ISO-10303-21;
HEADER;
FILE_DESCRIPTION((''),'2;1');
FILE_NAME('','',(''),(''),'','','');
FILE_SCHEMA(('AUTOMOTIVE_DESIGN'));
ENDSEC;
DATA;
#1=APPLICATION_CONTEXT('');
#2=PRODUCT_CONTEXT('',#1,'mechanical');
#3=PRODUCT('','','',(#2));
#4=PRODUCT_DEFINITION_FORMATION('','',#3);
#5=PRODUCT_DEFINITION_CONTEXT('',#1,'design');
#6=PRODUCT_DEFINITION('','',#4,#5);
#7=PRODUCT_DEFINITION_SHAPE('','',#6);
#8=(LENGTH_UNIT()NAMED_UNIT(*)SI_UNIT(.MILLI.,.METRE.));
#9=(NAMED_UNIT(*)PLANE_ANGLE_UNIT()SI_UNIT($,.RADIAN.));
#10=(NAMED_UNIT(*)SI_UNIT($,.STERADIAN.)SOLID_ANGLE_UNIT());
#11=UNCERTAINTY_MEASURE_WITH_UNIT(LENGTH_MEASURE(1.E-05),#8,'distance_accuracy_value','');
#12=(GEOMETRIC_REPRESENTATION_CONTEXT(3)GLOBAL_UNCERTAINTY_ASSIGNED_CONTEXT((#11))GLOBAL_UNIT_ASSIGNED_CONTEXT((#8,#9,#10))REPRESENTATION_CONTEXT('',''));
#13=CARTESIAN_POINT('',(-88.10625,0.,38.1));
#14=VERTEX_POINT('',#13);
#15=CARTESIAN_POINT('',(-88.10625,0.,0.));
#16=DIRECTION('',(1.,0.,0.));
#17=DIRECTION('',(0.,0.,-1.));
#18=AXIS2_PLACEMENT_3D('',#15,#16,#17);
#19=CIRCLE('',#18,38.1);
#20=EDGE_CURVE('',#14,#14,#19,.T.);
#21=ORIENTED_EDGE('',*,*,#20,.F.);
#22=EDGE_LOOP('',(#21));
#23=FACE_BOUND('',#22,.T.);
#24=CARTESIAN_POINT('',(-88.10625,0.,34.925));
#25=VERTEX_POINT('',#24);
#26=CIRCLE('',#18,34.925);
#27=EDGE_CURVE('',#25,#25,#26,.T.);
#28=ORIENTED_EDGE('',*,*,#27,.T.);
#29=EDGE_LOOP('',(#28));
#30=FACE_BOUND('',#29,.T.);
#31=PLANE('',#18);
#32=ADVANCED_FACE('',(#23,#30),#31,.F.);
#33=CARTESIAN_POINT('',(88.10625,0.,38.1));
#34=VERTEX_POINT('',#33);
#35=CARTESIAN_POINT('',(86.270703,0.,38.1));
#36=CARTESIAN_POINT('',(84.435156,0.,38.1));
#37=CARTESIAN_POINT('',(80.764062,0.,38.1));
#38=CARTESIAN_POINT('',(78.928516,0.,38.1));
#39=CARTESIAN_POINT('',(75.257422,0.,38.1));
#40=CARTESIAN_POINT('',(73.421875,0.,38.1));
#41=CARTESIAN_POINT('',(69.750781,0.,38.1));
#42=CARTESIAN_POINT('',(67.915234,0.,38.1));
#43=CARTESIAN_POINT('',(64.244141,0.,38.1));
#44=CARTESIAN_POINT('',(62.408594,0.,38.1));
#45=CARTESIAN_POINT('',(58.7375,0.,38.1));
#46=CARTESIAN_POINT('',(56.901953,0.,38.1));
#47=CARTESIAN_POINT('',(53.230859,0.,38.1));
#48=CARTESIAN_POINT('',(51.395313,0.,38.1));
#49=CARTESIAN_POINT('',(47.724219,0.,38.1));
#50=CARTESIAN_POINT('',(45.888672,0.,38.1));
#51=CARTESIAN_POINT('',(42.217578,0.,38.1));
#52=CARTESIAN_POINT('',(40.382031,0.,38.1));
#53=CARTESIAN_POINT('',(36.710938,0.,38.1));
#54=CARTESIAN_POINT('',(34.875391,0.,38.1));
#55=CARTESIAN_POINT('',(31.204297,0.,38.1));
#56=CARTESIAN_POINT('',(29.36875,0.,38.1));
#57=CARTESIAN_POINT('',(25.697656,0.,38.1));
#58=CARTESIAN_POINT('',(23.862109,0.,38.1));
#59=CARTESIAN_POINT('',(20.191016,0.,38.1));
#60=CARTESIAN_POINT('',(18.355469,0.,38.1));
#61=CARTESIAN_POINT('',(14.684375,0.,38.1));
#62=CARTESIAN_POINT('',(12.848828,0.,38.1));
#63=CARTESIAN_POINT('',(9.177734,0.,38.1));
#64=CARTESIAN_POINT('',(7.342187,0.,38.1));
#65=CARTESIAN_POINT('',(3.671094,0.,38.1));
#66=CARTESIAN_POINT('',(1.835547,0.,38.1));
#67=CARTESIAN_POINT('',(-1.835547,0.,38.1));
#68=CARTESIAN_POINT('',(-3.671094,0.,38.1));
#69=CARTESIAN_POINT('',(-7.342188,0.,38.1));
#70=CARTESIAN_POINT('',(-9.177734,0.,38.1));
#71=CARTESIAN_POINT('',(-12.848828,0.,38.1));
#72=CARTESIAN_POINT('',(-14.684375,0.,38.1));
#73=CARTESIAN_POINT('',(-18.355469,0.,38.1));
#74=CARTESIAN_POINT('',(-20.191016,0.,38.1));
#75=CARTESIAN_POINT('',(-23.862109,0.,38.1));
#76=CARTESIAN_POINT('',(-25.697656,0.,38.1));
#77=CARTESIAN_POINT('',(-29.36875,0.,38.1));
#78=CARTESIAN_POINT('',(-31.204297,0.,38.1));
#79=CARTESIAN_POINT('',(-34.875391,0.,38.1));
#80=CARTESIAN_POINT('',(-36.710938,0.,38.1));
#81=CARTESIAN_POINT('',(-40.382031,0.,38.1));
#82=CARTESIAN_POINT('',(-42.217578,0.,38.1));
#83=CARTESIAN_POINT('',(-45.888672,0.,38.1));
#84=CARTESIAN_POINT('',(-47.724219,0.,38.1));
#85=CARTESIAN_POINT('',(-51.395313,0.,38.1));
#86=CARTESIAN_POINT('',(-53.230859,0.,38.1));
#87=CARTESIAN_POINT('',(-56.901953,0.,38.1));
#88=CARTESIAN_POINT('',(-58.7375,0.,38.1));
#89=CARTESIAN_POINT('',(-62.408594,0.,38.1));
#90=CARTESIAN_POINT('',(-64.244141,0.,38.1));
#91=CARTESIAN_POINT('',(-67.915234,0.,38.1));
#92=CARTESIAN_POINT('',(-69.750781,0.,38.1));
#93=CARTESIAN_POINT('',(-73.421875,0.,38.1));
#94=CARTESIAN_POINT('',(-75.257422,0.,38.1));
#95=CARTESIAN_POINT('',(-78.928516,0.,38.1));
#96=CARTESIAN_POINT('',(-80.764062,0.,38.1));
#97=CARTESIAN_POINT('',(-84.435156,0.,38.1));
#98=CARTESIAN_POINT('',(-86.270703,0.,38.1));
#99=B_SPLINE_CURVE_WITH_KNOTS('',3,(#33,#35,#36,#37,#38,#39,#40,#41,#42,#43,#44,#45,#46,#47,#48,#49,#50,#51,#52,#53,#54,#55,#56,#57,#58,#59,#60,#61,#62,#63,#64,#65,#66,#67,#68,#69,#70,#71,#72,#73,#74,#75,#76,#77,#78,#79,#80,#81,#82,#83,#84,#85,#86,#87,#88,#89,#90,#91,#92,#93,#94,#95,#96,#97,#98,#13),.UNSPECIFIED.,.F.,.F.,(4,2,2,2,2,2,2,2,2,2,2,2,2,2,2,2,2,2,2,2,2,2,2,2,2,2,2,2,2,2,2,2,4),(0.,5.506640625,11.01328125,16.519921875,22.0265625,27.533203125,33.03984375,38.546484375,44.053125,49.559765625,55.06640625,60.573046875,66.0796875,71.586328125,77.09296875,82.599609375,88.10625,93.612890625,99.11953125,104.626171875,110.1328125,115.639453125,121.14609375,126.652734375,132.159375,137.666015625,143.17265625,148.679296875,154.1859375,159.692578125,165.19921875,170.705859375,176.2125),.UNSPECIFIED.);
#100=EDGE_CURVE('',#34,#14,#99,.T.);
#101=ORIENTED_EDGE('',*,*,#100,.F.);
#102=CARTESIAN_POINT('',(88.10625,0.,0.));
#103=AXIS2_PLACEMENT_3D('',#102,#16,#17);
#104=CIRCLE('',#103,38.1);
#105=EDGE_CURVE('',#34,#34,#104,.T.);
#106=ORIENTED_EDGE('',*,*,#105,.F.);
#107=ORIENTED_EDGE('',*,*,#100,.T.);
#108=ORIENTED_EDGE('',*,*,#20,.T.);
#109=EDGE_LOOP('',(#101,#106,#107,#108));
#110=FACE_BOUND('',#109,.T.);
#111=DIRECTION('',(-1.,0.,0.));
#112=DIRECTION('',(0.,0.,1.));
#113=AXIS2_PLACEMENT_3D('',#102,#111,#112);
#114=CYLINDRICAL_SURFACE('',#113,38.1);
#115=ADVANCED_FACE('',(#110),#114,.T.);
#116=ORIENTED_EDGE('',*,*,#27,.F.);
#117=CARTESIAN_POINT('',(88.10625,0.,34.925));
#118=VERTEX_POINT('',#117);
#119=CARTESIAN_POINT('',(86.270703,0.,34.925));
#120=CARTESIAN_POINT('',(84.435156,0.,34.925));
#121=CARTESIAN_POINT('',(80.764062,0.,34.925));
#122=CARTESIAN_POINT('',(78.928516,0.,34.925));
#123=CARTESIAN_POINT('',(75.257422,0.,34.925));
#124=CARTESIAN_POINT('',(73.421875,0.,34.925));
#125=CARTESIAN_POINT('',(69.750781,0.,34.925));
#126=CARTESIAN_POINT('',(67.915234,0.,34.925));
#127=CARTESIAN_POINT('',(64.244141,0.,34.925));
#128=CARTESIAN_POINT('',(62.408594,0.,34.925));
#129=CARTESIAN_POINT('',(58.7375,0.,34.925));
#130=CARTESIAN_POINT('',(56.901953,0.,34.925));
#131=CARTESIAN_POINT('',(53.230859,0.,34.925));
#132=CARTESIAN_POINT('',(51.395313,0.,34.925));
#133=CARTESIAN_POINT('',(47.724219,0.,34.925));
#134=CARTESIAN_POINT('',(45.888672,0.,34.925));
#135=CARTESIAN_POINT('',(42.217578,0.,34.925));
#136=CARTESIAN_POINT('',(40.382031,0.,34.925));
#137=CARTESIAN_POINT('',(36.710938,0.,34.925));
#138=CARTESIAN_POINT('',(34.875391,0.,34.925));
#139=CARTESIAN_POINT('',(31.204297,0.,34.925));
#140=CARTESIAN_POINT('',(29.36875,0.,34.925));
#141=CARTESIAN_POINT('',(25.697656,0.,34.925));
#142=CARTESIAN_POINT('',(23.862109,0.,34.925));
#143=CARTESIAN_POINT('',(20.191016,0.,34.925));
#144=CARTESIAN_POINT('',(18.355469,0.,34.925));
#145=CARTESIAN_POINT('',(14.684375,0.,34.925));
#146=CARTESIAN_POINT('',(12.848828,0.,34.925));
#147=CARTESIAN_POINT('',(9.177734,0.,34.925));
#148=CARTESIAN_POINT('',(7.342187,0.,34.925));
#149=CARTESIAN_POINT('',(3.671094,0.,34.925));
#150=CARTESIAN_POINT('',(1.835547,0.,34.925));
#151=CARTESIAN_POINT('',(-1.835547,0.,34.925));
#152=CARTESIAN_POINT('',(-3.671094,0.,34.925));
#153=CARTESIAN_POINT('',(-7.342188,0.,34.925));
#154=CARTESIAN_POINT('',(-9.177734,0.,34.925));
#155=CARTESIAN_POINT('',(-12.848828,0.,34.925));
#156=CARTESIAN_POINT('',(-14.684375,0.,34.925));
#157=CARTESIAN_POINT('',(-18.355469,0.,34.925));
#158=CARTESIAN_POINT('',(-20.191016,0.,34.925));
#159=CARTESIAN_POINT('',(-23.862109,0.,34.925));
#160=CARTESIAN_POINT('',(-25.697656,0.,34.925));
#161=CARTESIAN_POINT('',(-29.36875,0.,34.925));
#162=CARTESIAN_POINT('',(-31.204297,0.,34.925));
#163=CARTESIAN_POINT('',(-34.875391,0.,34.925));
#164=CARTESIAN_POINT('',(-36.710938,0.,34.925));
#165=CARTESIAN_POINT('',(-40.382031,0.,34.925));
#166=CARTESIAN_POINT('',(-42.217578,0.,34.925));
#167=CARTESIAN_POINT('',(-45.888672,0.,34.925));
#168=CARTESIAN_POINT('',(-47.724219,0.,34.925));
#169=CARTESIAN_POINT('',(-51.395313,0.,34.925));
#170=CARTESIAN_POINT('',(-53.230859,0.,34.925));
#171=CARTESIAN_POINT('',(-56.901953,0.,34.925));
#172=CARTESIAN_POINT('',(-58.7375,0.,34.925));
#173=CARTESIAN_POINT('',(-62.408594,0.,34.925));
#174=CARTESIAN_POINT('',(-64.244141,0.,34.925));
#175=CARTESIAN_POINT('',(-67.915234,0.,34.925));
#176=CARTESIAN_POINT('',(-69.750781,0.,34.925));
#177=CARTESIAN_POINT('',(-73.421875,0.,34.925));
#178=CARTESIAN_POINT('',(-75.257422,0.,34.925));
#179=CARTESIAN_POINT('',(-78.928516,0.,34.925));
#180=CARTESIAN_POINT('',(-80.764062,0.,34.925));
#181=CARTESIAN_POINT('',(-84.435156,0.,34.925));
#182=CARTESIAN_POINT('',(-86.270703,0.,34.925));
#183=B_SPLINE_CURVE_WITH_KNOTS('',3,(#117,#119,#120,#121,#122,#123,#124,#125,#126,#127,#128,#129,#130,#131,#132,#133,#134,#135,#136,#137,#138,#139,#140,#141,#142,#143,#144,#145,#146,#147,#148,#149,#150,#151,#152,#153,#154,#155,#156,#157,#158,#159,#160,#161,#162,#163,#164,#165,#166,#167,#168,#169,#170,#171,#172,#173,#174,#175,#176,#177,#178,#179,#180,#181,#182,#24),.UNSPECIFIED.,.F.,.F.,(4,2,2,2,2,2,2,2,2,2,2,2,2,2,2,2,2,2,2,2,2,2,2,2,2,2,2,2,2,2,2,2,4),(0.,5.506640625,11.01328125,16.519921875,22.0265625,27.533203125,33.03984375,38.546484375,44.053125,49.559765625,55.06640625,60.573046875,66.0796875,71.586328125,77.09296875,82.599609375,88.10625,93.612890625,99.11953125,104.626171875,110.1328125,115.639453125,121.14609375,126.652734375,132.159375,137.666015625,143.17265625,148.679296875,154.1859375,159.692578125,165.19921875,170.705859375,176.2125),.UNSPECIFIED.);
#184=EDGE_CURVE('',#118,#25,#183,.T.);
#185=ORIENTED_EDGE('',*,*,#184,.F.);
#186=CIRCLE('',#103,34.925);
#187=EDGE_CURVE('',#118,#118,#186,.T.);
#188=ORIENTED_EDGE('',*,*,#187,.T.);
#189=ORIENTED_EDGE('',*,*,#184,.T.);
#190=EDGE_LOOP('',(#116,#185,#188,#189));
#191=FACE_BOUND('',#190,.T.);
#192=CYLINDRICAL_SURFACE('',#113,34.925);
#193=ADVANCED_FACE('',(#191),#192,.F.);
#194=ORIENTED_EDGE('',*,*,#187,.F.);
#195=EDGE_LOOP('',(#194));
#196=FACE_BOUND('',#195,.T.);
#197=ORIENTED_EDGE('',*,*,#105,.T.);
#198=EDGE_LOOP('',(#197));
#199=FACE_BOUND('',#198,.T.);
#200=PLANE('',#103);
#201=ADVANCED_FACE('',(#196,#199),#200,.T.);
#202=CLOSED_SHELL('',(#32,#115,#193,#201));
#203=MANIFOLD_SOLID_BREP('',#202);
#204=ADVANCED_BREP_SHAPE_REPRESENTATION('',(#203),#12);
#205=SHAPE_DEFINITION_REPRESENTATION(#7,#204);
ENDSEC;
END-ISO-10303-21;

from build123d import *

# Parameters (mm, degrees)
SKETCH1_R           = 38.1
BOSS_EXTRUDE1_DEPTH = 88.10625
SHELL2_T            = -3.175


with BuildPart() as part:
    # Sketch1 → Boss-Extrude1 (new, symmetric)
    with BuildSketch(Plane(origin=(0, 0, 0), x_dir=(0, 0, -1), z_dir=(1, 0, 0))):
        with Locations(Location((0, 0, 0), (0, 0, 180))):
            Circle(SKETCH1_R)
    extrude(amount=BOSS_EXTRUDE1_DEPTH, both=True)

    # Shell2
    shell2_openings = [part.faces().sort_by_distance(p)[0] for p in [
        (88.10625, 0, 0),
        (-88.10625, 0, 0),
    ]]
    offset(amount=SHELL2_T, openings=shell2_openings, kind=Kind.INTERSECTION)


solid = part.part
